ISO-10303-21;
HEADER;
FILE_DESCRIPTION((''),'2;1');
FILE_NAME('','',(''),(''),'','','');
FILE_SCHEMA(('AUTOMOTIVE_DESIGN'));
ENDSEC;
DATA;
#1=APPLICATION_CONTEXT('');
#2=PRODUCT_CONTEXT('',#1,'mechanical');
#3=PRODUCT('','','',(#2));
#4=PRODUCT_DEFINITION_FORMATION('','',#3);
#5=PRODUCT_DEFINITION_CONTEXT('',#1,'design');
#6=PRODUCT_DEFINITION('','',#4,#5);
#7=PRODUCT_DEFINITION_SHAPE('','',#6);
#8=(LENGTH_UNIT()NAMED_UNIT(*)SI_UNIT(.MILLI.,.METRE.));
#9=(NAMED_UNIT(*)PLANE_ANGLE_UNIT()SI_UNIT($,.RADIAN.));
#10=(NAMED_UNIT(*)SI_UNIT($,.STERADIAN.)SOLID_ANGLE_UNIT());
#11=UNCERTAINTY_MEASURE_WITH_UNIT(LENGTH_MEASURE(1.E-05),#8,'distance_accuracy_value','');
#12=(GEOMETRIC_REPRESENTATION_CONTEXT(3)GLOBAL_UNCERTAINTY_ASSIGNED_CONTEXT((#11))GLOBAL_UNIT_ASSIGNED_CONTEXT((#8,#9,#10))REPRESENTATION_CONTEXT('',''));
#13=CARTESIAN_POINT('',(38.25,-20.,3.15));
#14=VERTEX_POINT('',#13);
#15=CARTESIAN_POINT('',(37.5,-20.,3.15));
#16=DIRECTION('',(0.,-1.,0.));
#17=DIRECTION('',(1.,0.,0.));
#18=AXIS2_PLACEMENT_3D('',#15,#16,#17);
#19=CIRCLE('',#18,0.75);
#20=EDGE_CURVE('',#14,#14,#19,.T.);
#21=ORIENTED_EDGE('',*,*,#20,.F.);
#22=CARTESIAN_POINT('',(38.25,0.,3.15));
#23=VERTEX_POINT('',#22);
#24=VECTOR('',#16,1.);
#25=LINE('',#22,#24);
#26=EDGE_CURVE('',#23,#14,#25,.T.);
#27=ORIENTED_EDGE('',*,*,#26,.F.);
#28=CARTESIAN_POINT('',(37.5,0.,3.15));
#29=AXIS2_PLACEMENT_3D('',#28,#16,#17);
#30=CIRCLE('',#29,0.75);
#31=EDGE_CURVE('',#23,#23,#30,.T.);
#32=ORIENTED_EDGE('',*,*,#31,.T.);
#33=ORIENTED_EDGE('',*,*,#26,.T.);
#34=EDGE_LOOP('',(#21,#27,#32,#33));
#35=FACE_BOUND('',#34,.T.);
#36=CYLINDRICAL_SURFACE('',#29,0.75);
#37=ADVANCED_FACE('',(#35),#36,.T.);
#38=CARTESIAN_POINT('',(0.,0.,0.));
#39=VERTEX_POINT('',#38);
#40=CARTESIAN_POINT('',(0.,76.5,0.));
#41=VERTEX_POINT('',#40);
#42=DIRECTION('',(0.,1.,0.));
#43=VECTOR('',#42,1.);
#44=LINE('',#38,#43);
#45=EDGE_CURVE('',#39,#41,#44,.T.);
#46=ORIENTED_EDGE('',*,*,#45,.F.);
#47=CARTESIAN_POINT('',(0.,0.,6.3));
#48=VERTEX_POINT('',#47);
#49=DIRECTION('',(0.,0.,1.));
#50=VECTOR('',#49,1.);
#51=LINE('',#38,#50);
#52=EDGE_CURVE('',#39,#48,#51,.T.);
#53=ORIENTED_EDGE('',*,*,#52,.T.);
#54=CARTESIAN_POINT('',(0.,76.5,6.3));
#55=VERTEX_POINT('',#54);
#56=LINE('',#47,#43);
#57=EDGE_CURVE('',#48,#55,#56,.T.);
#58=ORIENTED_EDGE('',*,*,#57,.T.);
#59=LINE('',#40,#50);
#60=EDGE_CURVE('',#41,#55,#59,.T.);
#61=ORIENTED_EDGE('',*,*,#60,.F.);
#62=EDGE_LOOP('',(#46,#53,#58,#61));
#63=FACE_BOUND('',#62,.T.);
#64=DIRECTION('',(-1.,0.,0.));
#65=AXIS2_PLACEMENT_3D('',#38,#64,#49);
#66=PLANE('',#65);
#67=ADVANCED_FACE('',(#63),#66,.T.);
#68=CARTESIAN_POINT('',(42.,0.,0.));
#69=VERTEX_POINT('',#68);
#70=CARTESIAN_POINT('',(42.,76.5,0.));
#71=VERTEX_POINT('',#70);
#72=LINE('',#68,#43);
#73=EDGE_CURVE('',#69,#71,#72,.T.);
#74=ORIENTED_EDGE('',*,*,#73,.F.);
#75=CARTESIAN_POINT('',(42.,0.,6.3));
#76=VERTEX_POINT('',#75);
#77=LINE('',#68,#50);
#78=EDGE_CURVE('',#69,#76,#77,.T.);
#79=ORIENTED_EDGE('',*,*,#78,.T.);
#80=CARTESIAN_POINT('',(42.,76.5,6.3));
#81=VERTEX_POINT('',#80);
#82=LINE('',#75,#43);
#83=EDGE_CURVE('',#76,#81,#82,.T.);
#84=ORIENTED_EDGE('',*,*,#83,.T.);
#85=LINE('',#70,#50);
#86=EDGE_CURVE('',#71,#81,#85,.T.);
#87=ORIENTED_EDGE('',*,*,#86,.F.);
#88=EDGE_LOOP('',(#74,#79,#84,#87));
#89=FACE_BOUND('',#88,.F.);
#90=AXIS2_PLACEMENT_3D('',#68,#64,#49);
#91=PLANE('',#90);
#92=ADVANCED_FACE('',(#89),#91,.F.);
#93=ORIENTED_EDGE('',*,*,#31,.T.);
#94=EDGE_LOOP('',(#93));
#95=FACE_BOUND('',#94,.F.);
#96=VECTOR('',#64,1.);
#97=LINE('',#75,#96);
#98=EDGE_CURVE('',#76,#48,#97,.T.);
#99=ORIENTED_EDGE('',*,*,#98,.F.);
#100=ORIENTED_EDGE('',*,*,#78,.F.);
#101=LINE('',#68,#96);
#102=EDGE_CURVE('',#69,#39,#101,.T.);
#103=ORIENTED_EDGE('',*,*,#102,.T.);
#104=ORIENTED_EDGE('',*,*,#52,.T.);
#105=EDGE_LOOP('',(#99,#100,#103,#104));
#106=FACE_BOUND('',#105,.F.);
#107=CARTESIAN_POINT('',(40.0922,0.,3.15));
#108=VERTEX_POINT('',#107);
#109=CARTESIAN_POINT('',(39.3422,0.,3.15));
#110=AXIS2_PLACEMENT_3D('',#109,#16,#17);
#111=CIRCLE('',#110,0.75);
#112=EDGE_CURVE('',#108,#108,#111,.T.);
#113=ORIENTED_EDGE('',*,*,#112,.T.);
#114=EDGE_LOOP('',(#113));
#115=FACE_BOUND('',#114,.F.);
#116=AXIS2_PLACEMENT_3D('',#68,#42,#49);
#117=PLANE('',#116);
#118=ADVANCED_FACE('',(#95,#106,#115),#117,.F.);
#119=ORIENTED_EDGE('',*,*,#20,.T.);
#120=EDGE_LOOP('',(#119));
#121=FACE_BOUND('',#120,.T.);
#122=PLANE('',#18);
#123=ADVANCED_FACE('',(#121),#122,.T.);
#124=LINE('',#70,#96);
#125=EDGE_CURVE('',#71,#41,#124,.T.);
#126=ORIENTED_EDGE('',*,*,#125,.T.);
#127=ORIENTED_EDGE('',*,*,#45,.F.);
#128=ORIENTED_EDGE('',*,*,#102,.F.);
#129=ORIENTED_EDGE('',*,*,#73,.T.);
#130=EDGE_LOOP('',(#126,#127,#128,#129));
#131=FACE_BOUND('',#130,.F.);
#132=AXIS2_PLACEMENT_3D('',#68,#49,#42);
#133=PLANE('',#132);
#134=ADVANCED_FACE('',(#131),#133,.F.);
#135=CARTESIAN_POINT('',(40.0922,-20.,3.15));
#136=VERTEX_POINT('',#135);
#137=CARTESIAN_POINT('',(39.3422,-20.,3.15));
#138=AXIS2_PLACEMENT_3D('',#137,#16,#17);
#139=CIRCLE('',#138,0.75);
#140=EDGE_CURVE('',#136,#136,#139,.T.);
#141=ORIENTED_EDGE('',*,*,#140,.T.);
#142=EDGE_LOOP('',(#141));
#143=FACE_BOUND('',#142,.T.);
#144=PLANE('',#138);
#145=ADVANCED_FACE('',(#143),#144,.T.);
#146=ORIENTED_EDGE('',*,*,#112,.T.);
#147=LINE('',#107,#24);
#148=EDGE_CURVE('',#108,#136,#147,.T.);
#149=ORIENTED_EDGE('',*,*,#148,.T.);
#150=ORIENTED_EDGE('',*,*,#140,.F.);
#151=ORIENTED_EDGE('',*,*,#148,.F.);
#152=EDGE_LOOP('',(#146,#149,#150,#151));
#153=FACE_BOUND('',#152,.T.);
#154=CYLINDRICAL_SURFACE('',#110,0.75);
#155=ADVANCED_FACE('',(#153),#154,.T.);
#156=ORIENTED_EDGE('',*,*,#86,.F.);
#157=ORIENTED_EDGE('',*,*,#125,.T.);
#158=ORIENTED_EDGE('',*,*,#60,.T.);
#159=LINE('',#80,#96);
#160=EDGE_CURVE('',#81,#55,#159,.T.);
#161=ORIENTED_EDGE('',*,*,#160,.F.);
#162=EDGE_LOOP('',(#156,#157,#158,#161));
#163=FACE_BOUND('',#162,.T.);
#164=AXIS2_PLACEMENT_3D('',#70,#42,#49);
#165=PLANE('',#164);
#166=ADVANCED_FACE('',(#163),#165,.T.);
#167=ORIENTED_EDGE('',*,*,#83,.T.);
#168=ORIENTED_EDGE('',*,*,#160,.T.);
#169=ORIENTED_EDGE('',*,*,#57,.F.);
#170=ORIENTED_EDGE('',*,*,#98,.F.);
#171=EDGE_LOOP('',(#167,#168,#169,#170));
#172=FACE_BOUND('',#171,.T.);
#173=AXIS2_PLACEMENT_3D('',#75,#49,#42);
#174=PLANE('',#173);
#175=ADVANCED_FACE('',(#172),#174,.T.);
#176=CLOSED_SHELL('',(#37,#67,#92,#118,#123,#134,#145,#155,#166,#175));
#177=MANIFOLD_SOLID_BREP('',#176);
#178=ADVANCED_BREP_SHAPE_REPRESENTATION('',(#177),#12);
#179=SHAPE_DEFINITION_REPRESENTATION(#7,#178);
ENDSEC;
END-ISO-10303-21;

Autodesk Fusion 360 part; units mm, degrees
box "BoxPrimitive1" add length 76.5 width 42 height 6.3 placed x (0, 1, 0) y (-1, 0, 0) z (0, 0, 1) at (42, 0, 0)
cylinder "CylinderPrimitive1" add diameter 1.5 height 20 placed x (1, 0, 0) y (0, 0, 1) z (0, -1, 0) at (39.3422, 0, 3.15)
cylinder "CylinderPrimitive2" add diameter 1.5 height 20 placed x (1, 0, 0) y (0, 0, 1) z (0, -1, 0) at (37.5, 0, 3.15)
